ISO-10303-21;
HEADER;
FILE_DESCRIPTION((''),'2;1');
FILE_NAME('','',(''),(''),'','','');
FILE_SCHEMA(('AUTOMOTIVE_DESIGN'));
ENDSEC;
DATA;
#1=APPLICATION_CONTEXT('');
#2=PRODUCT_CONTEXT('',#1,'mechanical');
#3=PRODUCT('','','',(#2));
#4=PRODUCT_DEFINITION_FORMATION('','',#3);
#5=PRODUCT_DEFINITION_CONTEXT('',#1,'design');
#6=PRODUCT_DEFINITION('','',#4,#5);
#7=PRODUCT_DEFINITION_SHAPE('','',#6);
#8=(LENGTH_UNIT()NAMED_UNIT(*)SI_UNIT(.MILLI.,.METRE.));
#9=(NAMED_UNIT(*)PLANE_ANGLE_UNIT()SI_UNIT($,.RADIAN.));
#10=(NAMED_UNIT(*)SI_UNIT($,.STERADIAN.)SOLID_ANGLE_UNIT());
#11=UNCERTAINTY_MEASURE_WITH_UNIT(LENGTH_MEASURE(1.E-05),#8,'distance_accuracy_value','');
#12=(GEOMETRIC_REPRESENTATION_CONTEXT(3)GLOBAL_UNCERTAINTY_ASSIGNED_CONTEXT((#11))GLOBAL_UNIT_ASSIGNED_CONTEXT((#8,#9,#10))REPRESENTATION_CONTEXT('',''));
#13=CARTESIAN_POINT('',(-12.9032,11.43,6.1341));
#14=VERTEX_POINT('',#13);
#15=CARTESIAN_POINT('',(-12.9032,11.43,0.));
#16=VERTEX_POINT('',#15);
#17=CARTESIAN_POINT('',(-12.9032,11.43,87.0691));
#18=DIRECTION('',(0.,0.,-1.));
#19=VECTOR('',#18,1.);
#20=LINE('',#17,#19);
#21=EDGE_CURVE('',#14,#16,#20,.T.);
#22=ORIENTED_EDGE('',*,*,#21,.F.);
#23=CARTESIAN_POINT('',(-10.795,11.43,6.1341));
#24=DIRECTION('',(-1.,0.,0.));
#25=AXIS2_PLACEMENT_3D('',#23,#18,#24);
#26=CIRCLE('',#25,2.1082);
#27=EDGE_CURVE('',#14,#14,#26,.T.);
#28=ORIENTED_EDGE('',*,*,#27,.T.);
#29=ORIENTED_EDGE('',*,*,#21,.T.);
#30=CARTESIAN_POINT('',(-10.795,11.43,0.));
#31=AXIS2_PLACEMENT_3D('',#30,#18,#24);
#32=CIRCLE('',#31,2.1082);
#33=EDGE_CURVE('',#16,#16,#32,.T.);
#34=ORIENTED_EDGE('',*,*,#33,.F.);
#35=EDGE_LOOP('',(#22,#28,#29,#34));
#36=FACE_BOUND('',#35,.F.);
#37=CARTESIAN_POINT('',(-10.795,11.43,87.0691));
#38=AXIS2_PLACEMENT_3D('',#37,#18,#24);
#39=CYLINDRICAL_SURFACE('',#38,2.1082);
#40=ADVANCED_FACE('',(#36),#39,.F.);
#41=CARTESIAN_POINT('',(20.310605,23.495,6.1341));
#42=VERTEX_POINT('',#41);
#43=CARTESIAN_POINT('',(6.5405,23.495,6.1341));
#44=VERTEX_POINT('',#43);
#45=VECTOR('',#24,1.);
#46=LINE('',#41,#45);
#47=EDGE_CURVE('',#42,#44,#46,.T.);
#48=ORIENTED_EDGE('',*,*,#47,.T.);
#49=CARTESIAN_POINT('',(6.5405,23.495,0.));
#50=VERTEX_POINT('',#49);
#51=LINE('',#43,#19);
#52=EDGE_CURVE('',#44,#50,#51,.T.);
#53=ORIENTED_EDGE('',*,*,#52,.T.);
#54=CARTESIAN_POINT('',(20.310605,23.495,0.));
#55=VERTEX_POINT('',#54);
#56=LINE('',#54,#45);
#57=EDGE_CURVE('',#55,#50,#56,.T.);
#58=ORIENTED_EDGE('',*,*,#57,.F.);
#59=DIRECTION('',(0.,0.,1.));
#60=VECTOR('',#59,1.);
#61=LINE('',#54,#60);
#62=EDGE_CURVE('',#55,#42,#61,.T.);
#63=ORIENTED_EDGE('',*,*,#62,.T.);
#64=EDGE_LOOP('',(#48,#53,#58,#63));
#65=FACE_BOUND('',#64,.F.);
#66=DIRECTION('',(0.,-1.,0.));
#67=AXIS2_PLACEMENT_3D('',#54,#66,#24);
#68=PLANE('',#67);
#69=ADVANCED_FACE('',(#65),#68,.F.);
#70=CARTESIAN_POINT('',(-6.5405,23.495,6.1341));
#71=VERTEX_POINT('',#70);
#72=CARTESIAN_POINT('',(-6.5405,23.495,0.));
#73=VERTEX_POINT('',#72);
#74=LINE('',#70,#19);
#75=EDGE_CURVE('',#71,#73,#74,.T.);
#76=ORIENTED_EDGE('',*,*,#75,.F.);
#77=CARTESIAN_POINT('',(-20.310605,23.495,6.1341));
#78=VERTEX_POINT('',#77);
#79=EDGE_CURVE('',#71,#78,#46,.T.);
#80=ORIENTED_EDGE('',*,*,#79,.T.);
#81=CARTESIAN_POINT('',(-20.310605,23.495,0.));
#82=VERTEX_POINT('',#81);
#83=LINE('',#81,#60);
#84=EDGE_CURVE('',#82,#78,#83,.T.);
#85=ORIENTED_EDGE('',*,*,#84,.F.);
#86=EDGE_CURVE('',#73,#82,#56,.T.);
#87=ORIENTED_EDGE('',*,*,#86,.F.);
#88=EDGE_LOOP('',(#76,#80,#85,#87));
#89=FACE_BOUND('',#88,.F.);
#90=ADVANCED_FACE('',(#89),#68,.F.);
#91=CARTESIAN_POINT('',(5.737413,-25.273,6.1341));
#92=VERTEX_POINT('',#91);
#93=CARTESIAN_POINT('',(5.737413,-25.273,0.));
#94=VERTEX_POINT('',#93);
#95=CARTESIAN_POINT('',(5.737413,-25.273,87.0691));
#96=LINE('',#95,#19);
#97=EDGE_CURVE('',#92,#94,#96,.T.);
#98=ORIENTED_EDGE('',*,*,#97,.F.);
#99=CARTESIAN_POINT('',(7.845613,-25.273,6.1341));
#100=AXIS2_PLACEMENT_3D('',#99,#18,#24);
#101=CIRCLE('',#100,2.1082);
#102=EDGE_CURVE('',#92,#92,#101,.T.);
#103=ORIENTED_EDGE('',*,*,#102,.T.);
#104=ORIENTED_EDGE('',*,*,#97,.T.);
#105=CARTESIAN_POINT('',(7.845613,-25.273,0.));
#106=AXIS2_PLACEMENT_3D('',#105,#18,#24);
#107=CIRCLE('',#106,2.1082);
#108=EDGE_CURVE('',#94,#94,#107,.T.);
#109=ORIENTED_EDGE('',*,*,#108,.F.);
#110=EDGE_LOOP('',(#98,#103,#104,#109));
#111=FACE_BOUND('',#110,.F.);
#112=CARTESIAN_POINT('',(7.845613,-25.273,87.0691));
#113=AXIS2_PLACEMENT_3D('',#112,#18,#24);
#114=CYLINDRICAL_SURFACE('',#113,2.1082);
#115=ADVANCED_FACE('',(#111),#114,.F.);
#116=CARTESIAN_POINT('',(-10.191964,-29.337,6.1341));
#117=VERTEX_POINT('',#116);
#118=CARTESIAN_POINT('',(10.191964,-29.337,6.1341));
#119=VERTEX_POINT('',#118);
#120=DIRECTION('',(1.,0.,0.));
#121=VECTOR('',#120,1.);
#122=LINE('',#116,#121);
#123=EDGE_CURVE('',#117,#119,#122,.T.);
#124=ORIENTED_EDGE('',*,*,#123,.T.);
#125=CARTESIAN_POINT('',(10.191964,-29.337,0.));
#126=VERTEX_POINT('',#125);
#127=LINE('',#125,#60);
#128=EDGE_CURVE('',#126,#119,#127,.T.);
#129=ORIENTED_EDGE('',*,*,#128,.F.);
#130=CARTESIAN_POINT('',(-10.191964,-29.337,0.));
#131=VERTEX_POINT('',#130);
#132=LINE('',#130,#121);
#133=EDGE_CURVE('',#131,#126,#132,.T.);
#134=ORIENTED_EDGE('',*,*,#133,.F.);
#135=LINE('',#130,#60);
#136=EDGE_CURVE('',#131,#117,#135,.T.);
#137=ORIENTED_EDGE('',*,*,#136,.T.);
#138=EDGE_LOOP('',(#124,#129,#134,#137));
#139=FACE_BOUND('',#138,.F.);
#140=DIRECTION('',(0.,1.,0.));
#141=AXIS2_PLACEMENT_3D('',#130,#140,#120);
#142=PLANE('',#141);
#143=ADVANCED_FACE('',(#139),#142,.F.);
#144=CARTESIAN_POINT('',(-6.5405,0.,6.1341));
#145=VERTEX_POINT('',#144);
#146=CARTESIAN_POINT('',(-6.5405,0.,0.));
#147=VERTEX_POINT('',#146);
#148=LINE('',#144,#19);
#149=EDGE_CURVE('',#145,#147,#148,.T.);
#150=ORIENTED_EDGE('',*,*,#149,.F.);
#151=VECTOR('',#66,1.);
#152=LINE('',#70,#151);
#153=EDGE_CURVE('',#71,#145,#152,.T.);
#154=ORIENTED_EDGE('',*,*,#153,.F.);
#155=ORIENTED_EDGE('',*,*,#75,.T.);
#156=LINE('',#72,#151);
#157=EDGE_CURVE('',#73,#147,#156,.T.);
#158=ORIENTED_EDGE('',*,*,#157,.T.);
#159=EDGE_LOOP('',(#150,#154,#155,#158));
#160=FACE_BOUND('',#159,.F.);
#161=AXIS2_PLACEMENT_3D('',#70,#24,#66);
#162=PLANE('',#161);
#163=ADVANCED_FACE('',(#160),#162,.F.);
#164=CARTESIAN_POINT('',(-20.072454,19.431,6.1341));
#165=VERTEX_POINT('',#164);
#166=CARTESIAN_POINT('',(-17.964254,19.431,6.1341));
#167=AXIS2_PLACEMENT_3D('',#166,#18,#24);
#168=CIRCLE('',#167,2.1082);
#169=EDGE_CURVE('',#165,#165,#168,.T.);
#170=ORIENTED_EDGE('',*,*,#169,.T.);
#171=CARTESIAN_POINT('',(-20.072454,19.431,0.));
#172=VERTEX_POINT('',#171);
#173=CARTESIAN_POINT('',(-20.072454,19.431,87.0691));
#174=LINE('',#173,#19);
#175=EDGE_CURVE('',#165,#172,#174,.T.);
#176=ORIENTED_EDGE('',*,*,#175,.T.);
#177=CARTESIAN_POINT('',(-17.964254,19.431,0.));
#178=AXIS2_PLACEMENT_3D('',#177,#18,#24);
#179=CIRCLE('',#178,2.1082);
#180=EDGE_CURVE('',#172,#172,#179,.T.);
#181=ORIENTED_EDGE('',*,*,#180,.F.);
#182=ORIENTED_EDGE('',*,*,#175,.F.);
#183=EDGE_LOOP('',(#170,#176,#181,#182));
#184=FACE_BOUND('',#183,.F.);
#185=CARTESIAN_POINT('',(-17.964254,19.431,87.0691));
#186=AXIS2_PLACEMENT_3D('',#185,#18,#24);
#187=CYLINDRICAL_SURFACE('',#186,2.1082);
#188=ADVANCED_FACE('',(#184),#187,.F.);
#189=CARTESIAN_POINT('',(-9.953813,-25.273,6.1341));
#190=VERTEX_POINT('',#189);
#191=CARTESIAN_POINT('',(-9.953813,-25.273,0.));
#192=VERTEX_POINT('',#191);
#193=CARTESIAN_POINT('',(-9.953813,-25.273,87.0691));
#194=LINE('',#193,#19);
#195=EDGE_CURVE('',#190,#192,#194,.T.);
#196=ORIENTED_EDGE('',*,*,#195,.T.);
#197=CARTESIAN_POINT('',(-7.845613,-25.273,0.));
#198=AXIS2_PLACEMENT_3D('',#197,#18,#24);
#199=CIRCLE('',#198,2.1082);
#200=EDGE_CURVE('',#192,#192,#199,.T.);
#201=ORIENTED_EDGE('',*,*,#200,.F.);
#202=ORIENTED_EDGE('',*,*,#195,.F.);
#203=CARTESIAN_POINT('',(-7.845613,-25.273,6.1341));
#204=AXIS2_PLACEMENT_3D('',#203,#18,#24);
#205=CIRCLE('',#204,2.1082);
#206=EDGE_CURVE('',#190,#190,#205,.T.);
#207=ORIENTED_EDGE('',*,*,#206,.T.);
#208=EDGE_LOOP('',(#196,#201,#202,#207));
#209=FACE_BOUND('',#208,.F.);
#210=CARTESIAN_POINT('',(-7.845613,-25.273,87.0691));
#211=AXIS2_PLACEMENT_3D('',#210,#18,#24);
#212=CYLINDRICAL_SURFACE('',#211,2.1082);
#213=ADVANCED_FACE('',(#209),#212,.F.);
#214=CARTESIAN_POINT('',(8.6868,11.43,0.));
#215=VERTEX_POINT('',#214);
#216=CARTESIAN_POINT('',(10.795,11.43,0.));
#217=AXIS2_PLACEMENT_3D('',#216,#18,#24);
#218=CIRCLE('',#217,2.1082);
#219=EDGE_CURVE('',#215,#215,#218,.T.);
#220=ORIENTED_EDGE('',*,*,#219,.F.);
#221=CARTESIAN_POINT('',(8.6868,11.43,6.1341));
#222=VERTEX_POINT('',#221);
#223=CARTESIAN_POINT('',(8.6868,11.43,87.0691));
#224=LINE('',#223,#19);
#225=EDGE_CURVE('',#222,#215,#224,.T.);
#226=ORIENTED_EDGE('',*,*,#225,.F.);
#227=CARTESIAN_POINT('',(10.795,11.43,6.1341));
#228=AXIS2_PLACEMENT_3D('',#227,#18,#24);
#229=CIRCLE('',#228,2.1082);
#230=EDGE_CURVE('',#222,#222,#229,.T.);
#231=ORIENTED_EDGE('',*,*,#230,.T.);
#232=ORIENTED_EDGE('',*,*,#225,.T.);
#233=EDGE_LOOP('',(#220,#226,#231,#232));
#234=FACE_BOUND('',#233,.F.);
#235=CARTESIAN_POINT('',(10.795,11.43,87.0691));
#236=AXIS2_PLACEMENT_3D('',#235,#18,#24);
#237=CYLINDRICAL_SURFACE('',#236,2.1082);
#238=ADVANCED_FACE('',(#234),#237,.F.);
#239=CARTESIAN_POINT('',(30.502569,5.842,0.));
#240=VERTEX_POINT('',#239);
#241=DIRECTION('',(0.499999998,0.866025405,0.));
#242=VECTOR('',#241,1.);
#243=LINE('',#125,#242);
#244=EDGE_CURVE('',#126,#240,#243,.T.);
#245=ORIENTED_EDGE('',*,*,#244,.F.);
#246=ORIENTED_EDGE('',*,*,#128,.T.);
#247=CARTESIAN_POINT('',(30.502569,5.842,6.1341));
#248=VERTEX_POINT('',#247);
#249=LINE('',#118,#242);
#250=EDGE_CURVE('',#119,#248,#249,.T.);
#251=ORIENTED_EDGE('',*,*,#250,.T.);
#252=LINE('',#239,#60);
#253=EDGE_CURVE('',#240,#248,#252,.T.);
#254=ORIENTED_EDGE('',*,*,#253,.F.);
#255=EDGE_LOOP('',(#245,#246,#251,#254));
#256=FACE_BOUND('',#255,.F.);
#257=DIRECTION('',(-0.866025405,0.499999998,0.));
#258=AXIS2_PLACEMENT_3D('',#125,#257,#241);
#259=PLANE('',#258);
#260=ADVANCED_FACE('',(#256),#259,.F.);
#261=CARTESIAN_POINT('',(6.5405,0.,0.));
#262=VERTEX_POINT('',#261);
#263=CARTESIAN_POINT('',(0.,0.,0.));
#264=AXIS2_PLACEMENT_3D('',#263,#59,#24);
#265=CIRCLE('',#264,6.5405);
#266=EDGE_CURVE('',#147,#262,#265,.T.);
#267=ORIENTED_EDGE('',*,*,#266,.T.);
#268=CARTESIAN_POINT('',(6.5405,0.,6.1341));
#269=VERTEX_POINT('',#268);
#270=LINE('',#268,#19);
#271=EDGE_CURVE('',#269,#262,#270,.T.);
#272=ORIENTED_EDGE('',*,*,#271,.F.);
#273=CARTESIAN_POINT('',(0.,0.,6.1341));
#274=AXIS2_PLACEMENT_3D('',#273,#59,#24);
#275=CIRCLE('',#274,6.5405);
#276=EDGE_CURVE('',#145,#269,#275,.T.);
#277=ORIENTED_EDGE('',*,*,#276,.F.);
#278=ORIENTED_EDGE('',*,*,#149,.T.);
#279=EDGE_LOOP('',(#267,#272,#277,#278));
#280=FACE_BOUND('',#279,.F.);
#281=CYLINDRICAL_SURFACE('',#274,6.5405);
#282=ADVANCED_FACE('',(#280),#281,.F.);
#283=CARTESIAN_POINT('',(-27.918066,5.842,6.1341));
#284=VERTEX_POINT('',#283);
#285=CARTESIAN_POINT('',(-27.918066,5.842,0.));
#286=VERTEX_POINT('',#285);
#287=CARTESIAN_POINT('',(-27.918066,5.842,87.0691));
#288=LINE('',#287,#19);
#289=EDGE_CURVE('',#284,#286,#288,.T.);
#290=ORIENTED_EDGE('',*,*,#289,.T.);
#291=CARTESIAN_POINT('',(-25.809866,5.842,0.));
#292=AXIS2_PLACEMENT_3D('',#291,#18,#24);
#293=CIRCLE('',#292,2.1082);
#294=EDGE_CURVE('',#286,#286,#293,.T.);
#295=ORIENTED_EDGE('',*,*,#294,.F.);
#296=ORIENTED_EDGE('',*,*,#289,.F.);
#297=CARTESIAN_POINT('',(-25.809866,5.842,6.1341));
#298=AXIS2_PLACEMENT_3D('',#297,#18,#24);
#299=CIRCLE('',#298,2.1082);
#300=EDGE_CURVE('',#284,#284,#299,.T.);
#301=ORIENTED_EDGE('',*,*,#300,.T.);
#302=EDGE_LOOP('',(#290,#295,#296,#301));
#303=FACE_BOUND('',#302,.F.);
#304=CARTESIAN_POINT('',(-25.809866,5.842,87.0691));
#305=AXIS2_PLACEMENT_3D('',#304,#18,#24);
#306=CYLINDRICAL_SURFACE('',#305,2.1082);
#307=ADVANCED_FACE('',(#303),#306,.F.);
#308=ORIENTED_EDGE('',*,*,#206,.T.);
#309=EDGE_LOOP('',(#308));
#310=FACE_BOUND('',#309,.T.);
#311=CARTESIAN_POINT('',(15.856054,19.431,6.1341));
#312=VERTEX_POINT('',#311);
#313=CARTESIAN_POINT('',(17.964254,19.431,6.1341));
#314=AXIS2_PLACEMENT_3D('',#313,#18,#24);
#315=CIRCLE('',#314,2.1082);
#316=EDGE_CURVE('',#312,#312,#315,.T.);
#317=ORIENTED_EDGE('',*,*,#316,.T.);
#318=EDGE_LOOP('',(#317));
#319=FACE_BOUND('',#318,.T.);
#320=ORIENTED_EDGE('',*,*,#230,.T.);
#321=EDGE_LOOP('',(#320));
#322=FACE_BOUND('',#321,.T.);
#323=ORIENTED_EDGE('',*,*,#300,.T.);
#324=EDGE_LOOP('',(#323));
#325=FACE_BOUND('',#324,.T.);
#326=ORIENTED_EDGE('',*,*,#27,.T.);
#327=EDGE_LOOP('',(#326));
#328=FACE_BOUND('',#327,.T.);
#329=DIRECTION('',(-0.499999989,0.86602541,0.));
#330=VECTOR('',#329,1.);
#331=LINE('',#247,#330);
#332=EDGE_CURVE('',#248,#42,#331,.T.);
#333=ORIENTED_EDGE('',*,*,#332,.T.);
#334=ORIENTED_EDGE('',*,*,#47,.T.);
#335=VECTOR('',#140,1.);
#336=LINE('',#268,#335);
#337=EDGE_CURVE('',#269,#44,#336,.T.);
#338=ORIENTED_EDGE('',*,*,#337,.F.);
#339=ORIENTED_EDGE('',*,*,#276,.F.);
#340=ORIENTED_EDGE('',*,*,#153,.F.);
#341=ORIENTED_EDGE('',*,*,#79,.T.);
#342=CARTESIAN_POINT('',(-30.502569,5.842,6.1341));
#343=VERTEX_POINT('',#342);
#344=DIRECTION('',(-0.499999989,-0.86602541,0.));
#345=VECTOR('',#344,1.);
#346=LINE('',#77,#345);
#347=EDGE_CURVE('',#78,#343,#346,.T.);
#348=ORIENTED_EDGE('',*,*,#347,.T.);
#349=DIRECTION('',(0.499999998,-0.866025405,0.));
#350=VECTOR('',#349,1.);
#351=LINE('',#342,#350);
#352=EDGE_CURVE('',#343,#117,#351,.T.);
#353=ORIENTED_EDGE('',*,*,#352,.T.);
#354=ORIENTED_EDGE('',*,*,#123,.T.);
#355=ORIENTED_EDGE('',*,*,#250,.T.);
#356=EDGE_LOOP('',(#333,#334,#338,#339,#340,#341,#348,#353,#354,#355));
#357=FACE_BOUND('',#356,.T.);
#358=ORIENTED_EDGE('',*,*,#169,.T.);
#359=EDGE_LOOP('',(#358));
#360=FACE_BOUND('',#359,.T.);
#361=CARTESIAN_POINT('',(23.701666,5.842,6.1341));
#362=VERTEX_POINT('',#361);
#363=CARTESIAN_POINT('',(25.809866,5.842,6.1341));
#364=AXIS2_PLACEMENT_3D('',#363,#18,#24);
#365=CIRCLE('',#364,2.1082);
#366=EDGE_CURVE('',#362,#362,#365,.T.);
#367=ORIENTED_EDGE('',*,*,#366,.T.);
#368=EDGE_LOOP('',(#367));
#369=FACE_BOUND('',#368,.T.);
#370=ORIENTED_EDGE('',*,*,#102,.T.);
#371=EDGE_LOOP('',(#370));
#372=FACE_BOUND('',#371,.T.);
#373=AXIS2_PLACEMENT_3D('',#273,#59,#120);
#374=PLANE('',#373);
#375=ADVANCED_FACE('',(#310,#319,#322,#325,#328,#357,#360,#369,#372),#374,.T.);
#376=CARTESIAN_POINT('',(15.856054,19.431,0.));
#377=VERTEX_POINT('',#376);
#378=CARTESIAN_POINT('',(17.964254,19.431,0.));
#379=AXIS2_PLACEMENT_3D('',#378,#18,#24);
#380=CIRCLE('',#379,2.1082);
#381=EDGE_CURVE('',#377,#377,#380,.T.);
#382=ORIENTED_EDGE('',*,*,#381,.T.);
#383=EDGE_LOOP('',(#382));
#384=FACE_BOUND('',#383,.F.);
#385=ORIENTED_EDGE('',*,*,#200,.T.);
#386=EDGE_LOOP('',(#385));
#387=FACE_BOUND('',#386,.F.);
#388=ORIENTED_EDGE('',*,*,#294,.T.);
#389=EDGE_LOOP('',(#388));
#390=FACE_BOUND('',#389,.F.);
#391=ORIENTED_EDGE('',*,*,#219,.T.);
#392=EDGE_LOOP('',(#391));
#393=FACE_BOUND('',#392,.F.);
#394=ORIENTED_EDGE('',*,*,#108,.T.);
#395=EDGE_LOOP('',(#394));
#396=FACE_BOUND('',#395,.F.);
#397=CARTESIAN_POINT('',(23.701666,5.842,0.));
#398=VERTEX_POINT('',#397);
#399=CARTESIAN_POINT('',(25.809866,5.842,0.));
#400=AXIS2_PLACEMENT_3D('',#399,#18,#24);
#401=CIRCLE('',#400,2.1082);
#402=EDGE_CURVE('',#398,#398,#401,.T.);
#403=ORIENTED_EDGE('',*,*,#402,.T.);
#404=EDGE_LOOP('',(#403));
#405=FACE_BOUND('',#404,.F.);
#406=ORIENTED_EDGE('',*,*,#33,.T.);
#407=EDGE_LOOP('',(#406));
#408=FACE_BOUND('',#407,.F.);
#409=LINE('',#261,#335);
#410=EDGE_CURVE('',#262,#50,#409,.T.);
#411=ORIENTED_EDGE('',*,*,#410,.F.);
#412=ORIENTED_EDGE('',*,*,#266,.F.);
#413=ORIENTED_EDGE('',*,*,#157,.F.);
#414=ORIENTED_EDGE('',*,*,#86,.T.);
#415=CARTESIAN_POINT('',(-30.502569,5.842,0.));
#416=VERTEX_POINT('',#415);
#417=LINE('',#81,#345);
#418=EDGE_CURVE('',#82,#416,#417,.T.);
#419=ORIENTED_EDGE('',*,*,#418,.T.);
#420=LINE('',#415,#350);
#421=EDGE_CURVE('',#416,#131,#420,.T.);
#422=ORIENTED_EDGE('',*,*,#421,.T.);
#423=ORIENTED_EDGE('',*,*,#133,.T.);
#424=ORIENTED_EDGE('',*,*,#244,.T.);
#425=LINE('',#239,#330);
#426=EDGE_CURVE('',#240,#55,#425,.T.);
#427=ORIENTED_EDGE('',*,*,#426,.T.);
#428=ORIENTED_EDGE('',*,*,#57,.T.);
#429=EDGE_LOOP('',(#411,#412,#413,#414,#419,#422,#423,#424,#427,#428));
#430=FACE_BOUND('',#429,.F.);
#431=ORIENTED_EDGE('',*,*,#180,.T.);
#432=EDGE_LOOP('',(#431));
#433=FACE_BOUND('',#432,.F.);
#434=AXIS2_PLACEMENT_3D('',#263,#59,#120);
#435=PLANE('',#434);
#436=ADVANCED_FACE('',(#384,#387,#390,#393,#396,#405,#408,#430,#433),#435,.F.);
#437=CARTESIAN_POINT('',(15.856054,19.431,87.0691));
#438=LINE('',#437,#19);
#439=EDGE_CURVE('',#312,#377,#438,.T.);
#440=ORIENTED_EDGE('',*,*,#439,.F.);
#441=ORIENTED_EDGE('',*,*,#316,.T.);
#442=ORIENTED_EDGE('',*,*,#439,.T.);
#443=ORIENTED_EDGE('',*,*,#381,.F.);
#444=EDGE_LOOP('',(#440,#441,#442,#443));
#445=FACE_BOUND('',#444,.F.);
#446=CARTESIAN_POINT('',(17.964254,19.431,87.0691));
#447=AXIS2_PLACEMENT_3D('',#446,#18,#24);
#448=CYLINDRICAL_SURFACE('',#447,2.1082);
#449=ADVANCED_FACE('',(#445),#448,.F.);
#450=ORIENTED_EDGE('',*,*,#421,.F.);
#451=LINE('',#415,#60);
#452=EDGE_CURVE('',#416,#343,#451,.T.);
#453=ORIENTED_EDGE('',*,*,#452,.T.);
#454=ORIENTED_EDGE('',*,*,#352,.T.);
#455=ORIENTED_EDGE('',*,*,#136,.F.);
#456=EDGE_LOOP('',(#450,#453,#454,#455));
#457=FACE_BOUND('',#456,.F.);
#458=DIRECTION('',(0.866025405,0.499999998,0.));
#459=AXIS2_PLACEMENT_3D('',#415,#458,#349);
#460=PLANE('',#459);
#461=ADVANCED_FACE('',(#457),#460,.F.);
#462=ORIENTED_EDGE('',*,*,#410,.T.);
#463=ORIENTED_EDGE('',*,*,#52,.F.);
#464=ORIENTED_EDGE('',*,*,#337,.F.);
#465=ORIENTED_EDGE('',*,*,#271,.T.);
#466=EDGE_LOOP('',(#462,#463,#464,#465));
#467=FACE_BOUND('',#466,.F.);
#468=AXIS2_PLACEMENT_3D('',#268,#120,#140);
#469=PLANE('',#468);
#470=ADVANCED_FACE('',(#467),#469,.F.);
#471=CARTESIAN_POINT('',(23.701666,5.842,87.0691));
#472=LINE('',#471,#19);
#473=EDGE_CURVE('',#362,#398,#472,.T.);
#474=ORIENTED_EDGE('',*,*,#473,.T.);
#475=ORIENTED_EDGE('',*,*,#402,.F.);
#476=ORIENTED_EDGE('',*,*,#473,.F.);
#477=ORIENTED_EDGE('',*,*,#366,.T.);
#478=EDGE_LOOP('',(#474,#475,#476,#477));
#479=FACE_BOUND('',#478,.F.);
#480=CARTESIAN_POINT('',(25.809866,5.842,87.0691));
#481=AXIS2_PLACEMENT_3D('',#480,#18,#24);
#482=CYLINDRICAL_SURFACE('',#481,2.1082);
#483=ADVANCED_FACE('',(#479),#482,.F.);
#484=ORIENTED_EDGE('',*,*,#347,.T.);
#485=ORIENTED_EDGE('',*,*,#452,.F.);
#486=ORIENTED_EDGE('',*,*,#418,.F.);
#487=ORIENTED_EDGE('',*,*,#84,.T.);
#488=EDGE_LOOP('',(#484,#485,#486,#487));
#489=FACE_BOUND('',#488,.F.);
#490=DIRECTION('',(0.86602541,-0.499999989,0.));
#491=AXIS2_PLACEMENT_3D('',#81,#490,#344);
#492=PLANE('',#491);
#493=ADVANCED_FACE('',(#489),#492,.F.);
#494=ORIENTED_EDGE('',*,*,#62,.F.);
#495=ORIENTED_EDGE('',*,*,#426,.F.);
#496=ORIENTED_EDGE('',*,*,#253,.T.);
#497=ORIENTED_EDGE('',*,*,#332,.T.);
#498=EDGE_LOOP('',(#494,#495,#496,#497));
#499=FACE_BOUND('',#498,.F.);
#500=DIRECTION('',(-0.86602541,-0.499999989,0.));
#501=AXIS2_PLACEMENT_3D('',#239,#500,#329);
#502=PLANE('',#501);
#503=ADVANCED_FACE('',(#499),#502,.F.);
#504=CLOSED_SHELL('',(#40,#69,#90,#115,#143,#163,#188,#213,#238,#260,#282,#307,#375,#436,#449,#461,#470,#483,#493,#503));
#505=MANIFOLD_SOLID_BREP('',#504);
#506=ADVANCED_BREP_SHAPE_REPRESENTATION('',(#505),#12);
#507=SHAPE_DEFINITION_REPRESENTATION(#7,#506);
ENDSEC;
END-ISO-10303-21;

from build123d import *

# Parameters (mm, degrees)
F1_DEPTH = 6.1341
F3_D     = 4.2164
F5_DEPTH = 6.1341
F7_D     = 4.2164


with BuildPart() as f1:
    # F0 (on Top) → F1 (new body)
    with BuildSketch(Plane.XY):
        Polygon((-30.502569, 5.842), (-10.191964, -29.337), (10.191964, -29.337), (30.502569, 5.842), (20.310605, 23.495), (-20.310605, 23.495), align=None)
    extrude(amount=F1_DEPTH)

    # F3 (through all)
    with Locations(Plane.XY.offset(6.1341)):
        with Locations((-17.964254, 19.431), (-25.809866, 5.842), (-7.845613, -25.273), (7.845613, -25.273), (25.809866, 5.842), (17.964254, 19.431)):
            Hole(F3_D / 2)

    # F4 (on face) → F5 (cut, through all)
    with BuildSketch(Plane.XY.offset(6.1341)):
        with BuildLine():
            Line((-6.5405, 23.495), (-6.5405, 0))
            ThreePointArc((-6.5405, 0), (0, -6.5405), (6.5405, 0))
            Line((6.5405, 0), (6.5405, 23.495))
            Line((6.5405, 23.495), (-6.5405, 23.495))
        make_face()
    extrude(amount=-F5_DEPTH, mode=Mode.SUBTRACT)

    # F7 (through all)
    with Locations(Plane.XY.offset(6.1341)):
        with Locations((-10.795, 11.43), (10.795, 11.43)):
            Hole(F7_D / 2)


solid = f1.part
